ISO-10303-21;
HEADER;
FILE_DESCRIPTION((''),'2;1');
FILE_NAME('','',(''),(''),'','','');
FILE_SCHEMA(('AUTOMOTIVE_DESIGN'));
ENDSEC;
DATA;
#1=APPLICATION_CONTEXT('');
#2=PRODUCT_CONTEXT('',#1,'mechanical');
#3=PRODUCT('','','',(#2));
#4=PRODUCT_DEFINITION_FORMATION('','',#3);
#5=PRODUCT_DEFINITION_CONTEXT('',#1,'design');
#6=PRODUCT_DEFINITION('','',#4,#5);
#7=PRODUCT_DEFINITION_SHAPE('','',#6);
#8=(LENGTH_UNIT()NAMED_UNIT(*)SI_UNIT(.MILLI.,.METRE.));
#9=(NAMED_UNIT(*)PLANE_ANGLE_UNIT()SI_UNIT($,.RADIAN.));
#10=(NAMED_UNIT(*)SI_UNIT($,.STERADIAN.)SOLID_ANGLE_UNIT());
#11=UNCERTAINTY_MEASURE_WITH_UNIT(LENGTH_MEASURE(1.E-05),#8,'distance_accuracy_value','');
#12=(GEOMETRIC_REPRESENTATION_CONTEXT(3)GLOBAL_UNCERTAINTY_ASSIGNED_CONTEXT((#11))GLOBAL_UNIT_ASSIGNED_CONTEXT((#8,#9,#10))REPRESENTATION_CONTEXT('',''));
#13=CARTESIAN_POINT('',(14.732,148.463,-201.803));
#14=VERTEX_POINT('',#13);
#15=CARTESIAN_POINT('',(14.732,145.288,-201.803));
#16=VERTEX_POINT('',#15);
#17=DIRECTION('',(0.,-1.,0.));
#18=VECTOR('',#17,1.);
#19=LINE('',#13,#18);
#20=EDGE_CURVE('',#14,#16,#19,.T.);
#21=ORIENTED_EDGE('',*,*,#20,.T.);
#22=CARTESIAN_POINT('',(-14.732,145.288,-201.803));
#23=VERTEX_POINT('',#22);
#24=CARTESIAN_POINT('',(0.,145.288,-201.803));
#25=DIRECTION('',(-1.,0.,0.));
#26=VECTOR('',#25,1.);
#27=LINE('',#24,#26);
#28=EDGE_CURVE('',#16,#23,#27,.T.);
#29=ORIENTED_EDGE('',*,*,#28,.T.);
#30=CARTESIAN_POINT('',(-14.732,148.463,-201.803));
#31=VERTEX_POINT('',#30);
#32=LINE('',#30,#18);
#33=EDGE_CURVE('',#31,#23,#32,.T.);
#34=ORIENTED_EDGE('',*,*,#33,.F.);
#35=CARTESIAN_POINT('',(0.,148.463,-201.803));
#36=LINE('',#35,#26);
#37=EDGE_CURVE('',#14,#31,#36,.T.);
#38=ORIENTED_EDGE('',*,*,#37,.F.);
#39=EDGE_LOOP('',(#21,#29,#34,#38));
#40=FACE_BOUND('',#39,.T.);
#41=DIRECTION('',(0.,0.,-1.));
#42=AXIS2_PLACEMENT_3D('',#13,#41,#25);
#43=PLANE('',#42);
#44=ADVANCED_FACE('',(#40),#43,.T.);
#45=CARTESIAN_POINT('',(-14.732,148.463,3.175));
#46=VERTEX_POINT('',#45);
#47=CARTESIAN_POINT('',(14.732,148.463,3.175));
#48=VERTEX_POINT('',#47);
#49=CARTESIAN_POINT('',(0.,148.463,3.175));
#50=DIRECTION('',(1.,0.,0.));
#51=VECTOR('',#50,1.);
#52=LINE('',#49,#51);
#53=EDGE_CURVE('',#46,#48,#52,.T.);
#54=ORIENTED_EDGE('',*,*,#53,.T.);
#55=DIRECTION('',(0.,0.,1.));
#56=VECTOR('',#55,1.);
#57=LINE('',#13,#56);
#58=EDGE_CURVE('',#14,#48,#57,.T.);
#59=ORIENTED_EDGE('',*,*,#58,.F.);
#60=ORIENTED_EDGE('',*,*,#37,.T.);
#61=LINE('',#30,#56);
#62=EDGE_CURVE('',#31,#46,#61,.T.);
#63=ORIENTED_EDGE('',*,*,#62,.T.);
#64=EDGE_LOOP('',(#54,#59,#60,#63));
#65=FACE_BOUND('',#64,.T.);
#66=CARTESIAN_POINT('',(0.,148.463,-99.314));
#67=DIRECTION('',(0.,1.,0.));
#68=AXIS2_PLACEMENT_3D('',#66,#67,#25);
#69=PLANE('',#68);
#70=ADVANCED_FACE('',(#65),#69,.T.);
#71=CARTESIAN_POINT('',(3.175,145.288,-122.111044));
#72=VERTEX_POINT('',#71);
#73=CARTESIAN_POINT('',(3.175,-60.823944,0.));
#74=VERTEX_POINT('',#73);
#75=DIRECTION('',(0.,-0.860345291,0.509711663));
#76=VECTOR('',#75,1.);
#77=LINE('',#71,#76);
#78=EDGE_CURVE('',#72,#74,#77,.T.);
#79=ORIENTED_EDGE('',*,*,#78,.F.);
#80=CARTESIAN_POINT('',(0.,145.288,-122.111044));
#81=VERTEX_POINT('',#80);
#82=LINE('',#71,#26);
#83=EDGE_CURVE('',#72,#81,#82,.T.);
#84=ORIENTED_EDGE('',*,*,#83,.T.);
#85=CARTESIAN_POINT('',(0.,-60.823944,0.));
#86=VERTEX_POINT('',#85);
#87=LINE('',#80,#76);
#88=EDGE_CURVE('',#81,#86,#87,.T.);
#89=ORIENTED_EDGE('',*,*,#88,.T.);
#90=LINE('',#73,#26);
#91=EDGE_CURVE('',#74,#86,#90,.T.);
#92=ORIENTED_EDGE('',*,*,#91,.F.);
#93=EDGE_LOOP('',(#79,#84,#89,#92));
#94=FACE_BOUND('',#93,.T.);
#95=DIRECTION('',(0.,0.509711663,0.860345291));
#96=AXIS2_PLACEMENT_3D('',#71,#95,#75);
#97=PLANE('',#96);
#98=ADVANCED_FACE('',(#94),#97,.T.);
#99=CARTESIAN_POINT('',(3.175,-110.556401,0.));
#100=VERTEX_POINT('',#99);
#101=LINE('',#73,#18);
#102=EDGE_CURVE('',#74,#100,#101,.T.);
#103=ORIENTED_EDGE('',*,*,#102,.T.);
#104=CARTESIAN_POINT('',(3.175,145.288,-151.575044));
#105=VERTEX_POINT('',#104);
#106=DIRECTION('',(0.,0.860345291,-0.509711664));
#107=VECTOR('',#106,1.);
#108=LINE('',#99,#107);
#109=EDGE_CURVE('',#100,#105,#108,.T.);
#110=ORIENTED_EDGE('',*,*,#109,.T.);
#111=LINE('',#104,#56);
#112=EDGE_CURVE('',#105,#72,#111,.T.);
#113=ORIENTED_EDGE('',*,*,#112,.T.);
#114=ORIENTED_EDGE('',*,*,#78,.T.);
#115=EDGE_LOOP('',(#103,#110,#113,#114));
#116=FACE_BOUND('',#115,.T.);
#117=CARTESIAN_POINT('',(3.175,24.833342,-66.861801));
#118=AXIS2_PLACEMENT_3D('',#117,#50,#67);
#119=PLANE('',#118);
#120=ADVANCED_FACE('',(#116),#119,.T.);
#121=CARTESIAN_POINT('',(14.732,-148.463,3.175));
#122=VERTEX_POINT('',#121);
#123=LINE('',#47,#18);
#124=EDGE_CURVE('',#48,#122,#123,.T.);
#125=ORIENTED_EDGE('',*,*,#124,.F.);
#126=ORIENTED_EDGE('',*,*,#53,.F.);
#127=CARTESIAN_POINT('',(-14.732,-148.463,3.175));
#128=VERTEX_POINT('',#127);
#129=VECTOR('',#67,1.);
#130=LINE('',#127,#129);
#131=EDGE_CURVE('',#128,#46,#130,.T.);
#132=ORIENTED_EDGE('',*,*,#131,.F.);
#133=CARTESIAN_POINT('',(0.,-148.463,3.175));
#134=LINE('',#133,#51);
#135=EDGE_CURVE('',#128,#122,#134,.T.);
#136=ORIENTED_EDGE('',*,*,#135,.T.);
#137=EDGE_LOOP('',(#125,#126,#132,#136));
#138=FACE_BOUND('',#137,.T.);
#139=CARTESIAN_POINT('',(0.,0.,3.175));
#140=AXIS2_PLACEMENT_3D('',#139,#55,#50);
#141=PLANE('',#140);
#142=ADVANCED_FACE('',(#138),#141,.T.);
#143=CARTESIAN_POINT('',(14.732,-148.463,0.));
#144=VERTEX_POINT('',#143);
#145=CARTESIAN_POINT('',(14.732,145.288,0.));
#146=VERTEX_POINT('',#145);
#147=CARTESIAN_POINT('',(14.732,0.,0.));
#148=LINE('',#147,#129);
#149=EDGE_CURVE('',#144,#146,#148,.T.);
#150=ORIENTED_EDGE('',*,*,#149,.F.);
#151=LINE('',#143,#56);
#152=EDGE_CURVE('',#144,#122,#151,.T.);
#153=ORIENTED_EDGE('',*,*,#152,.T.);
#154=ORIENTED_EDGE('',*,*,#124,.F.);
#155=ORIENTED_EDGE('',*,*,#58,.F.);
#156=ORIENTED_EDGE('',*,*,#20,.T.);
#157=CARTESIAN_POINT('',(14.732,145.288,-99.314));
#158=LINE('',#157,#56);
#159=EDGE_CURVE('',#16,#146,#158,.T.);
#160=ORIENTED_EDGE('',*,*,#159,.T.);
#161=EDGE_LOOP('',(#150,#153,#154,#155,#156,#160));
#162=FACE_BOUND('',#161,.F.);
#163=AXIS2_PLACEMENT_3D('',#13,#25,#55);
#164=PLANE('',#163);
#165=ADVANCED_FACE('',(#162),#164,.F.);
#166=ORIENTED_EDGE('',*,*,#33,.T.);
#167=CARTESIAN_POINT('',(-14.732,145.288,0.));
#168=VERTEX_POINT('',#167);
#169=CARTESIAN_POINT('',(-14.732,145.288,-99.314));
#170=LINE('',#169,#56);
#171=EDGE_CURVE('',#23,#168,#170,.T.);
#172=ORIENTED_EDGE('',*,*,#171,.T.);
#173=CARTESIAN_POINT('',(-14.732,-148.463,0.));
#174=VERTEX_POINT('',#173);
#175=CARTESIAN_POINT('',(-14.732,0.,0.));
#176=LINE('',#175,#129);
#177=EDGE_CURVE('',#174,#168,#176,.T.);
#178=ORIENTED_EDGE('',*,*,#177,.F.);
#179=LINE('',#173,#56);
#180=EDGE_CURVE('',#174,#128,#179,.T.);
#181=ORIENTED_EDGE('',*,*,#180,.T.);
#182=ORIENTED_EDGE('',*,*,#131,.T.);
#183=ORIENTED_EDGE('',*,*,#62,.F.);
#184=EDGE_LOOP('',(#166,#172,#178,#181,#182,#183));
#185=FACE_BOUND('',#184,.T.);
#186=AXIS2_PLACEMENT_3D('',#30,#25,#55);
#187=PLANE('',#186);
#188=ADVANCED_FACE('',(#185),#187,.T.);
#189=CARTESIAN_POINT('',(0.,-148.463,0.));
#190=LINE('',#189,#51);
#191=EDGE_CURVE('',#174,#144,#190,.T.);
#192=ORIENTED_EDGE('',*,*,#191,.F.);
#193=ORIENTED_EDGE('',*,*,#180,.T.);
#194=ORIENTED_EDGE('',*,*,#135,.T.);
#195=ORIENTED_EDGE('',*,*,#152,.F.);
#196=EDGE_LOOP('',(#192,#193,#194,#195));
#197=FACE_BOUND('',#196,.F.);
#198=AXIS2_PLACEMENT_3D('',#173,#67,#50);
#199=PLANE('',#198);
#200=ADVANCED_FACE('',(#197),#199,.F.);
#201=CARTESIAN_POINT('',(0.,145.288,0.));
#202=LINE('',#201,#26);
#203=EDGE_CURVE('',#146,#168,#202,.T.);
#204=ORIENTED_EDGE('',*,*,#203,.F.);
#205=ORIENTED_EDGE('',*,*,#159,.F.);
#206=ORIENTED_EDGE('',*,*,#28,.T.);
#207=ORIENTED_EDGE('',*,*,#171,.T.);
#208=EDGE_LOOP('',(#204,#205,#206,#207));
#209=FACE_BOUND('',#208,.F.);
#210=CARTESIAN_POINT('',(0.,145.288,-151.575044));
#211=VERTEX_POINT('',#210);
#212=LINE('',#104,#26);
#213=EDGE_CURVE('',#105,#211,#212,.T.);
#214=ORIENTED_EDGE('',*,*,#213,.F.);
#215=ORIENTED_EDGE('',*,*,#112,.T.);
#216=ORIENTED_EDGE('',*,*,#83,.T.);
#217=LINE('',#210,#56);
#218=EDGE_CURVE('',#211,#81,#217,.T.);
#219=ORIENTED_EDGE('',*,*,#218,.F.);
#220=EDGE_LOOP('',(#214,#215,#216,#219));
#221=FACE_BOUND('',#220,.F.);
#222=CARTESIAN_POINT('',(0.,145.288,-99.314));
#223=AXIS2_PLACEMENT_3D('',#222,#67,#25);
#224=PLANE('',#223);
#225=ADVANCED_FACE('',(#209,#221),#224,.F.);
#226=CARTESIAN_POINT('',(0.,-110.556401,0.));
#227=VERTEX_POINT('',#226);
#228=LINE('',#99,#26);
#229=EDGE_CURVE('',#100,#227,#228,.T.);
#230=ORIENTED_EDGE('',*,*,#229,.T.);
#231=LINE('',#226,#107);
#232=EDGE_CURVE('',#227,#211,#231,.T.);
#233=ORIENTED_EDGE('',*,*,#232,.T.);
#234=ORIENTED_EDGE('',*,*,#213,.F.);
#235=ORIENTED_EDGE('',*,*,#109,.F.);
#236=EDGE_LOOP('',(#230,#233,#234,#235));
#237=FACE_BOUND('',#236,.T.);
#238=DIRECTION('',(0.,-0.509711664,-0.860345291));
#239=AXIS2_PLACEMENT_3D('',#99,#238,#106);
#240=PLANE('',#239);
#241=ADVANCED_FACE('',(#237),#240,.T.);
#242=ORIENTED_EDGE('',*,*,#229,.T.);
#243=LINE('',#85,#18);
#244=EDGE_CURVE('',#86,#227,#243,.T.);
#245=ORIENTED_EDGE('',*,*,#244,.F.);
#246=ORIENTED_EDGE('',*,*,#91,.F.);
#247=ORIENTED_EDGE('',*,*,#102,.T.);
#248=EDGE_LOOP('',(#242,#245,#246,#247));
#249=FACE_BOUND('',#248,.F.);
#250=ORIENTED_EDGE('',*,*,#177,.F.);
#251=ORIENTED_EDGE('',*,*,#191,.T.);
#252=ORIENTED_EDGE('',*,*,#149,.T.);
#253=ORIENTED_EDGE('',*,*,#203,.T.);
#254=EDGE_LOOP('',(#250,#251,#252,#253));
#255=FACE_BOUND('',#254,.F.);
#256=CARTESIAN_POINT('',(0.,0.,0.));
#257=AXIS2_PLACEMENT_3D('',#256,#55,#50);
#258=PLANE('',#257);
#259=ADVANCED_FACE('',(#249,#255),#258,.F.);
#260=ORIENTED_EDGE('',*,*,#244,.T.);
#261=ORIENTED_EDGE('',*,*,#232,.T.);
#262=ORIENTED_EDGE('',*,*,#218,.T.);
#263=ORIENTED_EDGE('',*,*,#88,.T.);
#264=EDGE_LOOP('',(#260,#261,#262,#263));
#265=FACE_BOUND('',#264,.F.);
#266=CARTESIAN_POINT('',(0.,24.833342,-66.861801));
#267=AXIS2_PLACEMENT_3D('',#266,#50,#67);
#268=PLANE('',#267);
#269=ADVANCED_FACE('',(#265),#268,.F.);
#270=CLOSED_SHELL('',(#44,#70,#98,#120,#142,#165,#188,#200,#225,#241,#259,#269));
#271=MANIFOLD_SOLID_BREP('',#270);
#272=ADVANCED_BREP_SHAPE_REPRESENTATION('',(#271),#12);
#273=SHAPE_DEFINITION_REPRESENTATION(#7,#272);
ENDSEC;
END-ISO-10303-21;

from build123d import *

# Parameters (mm, degrees)
F0_W     = 29.464
F0_H     = 296.926
F1_DEPTH = 3.175
F2_W     = 29.464
F2_H     = 204.978
F3_DEPTH = 3.175
F6_DEPTH = 3.175


with BuildPart() as f1:
    # F0 (on Top) → F1 (new body)
    with BuildSketch(Plane.XY):
        Rectangle(F0_W, F0_H)
    extrude(amount=F1_DEPTH)

    # F2 (on face) → F3 (join)
    with BuildSketch(Plane(origin=(0, 148.463, 0), x_dir=(-1, 0, 0), z_dir=(0, 1, 0))):
        with Locations((0, -99.314)):
            Rectangle(F2_W, F2_H)
    extrude(amount=-F3_DEPTH)

    # F5 (on offset) → F6 (join)
    with BuildSketch(Plane.YZ.offset(3.175)):
        Polygon((145.288, -151.575044), (145.288, -122.111044), (-60.823944, 0), (-110.556401, 0), align=None)
    extrude(amount=-F6_DEPTH)


solid = f1.part
